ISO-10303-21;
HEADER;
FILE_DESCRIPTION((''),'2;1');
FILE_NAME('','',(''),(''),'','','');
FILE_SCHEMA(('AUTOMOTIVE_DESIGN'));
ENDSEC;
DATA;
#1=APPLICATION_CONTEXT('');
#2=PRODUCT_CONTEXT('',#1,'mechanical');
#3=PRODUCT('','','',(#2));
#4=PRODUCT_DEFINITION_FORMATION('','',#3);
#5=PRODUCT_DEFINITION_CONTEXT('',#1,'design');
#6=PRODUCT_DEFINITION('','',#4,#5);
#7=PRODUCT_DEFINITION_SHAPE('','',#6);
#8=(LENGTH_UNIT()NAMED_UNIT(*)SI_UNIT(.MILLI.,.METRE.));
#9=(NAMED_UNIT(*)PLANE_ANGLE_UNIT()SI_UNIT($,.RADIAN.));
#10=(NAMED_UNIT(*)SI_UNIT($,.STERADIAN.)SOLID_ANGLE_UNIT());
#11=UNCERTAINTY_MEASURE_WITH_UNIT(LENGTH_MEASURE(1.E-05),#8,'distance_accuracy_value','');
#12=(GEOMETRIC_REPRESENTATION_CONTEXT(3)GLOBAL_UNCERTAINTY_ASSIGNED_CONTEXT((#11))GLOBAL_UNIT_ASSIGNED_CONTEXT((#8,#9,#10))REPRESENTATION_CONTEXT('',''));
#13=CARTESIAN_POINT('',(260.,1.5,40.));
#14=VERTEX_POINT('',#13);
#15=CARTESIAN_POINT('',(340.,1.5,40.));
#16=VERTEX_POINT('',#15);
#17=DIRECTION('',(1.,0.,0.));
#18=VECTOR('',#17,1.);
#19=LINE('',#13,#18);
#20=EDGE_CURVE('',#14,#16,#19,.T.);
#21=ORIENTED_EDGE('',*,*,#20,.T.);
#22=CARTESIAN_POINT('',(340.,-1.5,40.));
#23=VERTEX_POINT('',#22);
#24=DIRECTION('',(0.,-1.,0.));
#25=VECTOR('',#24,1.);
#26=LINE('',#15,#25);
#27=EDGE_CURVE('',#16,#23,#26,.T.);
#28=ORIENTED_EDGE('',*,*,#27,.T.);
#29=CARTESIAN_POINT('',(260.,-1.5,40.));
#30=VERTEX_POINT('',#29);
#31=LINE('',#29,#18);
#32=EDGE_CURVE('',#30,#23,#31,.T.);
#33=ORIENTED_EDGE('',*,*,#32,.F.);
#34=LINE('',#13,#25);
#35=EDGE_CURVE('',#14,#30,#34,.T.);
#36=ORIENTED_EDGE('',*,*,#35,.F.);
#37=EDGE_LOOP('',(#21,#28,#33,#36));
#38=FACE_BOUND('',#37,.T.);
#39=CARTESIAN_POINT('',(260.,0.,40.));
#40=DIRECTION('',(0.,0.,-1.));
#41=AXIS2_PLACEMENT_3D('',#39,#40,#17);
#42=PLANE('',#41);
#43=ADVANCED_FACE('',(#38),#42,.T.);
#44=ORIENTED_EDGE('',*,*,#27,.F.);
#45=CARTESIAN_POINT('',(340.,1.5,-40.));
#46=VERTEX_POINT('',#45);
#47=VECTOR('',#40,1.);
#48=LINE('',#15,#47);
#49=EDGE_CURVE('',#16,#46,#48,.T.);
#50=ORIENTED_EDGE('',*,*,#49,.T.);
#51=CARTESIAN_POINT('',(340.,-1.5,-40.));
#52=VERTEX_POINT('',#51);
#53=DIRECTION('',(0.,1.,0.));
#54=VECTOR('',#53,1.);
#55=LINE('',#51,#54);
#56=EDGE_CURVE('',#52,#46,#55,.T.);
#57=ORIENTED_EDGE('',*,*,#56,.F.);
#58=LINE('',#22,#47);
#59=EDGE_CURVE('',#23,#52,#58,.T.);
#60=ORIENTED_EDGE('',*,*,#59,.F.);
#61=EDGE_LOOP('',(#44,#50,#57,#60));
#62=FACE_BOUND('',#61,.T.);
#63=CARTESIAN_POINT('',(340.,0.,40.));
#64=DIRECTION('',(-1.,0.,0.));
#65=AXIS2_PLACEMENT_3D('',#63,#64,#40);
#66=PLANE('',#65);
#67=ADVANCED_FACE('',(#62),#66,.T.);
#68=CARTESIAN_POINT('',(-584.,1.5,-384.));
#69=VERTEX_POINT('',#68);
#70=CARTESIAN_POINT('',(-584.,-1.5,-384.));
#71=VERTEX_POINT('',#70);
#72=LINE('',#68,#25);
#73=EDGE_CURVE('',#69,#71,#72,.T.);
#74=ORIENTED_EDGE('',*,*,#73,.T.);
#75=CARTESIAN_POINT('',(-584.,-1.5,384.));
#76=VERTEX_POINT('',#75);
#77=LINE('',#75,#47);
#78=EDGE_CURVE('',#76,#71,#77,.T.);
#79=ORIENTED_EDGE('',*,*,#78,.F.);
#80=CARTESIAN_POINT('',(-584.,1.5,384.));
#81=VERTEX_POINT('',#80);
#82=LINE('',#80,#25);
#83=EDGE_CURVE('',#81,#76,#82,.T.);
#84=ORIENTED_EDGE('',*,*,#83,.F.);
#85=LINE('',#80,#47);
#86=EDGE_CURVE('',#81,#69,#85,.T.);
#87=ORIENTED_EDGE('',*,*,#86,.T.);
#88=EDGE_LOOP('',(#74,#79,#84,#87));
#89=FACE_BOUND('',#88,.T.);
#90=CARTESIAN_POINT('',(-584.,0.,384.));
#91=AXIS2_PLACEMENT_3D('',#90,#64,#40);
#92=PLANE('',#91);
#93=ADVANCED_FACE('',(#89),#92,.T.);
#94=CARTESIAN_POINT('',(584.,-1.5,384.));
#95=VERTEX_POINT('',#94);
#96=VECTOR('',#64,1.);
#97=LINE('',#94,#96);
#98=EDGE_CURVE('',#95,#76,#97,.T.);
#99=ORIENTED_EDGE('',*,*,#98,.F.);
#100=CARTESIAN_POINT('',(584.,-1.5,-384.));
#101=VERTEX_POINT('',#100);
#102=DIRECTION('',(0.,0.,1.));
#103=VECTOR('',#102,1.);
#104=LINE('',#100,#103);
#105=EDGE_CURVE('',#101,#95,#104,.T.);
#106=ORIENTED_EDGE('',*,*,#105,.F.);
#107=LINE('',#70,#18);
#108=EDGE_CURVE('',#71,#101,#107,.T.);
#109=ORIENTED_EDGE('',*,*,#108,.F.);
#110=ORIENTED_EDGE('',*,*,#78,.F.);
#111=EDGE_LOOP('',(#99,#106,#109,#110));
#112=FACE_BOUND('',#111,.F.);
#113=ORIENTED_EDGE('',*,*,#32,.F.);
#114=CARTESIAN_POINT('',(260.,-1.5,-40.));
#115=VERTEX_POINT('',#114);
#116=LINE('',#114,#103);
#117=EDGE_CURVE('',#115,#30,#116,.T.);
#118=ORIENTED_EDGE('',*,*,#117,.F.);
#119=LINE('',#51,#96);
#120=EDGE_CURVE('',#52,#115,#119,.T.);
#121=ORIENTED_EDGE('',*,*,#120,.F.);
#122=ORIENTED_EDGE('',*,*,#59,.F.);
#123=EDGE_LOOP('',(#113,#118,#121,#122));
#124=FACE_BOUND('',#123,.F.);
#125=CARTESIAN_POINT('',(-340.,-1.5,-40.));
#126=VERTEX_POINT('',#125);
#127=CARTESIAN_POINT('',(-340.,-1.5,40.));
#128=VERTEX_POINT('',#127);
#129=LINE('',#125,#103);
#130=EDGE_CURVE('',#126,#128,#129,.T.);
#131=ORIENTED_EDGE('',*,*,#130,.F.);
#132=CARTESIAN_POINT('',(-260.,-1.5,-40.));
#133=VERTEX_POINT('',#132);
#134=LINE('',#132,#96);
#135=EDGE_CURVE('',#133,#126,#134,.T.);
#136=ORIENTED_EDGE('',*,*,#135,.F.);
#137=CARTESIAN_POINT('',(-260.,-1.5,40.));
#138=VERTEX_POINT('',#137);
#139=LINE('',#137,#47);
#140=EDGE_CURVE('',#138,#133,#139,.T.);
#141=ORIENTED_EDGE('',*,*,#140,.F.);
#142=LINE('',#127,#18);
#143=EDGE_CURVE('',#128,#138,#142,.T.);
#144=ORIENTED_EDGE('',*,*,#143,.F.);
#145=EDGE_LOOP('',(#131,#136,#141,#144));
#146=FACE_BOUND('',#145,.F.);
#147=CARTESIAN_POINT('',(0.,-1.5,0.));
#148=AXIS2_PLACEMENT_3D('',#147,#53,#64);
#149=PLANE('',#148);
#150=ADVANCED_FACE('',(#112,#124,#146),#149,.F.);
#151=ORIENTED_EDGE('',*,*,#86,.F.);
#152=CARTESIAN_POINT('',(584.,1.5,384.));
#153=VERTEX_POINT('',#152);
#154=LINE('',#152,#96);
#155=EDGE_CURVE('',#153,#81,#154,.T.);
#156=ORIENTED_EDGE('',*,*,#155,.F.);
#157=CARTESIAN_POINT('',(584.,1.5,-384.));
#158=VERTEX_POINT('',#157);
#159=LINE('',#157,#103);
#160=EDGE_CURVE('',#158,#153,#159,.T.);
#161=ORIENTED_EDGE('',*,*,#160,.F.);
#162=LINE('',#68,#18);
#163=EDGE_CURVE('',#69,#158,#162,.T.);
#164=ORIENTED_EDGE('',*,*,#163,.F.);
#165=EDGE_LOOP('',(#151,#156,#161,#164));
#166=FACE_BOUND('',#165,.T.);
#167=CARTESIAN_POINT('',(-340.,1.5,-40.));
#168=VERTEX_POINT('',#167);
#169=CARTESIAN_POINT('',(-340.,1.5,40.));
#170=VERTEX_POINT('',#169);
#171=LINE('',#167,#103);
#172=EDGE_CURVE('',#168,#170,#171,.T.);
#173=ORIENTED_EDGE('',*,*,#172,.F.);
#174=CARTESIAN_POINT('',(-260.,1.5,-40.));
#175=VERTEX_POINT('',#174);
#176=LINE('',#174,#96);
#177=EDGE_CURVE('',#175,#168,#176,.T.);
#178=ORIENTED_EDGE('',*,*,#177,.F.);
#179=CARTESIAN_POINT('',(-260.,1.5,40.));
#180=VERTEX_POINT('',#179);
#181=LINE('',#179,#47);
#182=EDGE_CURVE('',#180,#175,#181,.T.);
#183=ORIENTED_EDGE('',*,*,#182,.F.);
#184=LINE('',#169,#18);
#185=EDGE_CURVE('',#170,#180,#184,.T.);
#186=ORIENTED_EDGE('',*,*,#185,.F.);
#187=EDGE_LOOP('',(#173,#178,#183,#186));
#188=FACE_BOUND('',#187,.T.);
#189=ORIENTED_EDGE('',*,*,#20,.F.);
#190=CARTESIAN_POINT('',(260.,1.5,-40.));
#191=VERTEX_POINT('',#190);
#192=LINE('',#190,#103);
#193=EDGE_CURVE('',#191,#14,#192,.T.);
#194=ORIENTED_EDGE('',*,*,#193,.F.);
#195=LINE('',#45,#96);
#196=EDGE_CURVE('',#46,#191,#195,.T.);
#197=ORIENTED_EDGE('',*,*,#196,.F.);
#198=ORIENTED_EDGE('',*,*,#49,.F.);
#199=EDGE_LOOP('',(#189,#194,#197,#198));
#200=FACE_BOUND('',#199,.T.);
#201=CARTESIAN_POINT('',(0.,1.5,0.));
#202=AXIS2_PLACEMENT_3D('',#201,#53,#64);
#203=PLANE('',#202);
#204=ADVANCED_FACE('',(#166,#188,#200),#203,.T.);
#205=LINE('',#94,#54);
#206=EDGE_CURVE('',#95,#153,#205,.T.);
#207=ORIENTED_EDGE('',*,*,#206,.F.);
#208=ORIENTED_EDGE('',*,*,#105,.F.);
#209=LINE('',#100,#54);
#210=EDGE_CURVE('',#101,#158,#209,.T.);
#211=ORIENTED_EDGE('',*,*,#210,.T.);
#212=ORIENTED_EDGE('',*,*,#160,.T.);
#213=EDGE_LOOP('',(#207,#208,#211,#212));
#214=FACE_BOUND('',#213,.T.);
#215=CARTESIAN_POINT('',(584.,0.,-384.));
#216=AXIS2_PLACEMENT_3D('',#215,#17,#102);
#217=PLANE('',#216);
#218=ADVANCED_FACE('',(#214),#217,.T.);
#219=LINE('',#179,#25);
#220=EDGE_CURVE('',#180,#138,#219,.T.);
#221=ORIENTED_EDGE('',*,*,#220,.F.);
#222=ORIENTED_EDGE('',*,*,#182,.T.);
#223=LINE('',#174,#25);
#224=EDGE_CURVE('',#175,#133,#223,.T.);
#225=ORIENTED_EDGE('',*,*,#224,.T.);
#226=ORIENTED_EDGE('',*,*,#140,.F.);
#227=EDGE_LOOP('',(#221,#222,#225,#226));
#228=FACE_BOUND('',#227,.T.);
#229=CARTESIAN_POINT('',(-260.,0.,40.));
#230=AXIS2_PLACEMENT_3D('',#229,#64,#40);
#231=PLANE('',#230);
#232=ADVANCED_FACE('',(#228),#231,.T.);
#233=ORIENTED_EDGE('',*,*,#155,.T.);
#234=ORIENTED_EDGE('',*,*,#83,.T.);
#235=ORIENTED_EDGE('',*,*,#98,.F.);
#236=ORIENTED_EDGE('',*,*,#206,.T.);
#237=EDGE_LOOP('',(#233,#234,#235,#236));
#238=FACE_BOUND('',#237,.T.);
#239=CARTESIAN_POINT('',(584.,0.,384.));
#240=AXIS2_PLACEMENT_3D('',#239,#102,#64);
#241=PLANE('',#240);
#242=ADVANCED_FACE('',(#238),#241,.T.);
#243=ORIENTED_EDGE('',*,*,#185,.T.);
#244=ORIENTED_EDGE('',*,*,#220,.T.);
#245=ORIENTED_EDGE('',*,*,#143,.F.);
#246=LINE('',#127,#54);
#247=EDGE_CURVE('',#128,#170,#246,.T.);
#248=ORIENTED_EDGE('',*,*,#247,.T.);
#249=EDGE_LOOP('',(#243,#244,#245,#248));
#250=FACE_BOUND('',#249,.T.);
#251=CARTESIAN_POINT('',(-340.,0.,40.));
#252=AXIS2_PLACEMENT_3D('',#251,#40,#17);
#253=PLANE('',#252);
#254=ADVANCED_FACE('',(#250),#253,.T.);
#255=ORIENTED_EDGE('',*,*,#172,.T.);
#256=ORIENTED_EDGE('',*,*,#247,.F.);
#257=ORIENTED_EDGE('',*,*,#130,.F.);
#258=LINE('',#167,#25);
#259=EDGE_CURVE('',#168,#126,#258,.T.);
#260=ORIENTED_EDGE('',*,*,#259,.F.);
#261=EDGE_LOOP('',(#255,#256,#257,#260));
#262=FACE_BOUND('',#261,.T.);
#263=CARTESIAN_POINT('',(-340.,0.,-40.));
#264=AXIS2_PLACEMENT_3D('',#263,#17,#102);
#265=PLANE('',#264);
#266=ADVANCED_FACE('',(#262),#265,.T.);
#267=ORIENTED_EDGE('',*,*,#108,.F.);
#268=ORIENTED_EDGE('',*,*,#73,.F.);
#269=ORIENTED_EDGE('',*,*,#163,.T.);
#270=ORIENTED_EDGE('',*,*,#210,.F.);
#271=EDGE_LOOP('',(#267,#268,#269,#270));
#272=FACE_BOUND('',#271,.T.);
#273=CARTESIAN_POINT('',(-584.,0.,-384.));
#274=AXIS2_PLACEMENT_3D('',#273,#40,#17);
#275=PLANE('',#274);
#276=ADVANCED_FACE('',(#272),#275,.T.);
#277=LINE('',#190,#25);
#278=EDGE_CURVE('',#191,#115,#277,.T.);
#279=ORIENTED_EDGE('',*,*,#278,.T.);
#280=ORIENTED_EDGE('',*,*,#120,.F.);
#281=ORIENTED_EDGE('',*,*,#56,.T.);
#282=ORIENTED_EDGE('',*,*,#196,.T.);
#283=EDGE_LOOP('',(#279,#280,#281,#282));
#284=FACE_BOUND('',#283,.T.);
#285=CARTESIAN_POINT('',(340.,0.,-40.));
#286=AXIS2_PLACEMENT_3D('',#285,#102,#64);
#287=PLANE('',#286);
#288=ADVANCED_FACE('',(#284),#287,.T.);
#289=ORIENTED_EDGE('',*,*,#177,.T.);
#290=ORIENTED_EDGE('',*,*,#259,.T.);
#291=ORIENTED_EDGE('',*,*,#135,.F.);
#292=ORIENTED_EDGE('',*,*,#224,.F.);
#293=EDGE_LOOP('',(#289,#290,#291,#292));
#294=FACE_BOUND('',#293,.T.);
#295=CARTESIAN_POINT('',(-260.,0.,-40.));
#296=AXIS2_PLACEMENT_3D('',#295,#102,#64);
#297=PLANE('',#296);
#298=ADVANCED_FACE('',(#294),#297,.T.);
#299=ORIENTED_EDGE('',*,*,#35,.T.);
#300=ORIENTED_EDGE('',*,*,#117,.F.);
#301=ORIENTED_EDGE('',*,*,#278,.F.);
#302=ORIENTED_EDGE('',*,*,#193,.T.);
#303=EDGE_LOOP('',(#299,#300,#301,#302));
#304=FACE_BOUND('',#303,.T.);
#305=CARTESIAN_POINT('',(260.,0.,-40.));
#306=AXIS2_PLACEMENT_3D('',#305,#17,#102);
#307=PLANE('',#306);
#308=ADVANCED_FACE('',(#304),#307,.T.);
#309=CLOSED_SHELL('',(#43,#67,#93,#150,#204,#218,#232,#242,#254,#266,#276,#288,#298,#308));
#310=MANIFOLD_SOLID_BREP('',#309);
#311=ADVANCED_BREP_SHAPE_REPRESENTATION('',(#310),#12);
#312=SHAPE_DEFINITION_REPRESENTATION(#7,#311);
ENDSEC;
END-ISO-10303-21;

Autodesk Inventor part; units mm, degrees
ref_plane "YZ Plane" through (0, 0, 0) normal (1, 0, 0) x (0, 1, 0)
ref_plane "XZ Plane" through (0, 0, 0) normal (0, 1, 0) x (-1, 0, 0)
ref_plane "XY Plane" through (0, 0, 0) normal (0, 0, 1) x (1, 0, 0)
sketch "Sketch1" plane through (0, 0, 0) normal (0, 1, 0) x (-1, 0, 0)
  line L0 (-584, 384) -> (584, 384)
  line L1 (584, 384) -> (584, -384)
  line L2 (584, -384) -> (-584, -384)
  line L3 (-584, -384) -> (-584, 384)
  line L4 (-584, 384) -> (584, -384) construction
  line L5 (584, 384) -> (-584, -384) construction
  line L6 (340, 40) -> (260, 40)
  line L7 (260, 40) -> (260, -40)
  line L8 (260, -40) -> (340, -40)
  line L9 (340, -40) -> (340, 40)
  line L10 (340, 40) -> (260, -40) construction
  line L11 (260, 40) -> (340, -40) construction
  line L12 (-340, -40) -> (-260, -40)
  line L13 (-340, 40) -> (-340, -40)
  line L14 (-260, 40) -> (-340, 40)
  line L15 (-260, -40) -> (-260, 40)
  point P0 (0, 0)
  point P1 (300, 0)
  dimension "d0" = 1168
  dimension "d1" = 768
  dimension "d13" = 300
  dimension "d14" = 80
  dimension "d15" = 80
  dimension "d18" = 600
extrude "Extrusion1" add sketch "Sketch1" along normal mid plane 3
equation "\"d15\" = d14"
properties part number "Base" material "Acrylic"
